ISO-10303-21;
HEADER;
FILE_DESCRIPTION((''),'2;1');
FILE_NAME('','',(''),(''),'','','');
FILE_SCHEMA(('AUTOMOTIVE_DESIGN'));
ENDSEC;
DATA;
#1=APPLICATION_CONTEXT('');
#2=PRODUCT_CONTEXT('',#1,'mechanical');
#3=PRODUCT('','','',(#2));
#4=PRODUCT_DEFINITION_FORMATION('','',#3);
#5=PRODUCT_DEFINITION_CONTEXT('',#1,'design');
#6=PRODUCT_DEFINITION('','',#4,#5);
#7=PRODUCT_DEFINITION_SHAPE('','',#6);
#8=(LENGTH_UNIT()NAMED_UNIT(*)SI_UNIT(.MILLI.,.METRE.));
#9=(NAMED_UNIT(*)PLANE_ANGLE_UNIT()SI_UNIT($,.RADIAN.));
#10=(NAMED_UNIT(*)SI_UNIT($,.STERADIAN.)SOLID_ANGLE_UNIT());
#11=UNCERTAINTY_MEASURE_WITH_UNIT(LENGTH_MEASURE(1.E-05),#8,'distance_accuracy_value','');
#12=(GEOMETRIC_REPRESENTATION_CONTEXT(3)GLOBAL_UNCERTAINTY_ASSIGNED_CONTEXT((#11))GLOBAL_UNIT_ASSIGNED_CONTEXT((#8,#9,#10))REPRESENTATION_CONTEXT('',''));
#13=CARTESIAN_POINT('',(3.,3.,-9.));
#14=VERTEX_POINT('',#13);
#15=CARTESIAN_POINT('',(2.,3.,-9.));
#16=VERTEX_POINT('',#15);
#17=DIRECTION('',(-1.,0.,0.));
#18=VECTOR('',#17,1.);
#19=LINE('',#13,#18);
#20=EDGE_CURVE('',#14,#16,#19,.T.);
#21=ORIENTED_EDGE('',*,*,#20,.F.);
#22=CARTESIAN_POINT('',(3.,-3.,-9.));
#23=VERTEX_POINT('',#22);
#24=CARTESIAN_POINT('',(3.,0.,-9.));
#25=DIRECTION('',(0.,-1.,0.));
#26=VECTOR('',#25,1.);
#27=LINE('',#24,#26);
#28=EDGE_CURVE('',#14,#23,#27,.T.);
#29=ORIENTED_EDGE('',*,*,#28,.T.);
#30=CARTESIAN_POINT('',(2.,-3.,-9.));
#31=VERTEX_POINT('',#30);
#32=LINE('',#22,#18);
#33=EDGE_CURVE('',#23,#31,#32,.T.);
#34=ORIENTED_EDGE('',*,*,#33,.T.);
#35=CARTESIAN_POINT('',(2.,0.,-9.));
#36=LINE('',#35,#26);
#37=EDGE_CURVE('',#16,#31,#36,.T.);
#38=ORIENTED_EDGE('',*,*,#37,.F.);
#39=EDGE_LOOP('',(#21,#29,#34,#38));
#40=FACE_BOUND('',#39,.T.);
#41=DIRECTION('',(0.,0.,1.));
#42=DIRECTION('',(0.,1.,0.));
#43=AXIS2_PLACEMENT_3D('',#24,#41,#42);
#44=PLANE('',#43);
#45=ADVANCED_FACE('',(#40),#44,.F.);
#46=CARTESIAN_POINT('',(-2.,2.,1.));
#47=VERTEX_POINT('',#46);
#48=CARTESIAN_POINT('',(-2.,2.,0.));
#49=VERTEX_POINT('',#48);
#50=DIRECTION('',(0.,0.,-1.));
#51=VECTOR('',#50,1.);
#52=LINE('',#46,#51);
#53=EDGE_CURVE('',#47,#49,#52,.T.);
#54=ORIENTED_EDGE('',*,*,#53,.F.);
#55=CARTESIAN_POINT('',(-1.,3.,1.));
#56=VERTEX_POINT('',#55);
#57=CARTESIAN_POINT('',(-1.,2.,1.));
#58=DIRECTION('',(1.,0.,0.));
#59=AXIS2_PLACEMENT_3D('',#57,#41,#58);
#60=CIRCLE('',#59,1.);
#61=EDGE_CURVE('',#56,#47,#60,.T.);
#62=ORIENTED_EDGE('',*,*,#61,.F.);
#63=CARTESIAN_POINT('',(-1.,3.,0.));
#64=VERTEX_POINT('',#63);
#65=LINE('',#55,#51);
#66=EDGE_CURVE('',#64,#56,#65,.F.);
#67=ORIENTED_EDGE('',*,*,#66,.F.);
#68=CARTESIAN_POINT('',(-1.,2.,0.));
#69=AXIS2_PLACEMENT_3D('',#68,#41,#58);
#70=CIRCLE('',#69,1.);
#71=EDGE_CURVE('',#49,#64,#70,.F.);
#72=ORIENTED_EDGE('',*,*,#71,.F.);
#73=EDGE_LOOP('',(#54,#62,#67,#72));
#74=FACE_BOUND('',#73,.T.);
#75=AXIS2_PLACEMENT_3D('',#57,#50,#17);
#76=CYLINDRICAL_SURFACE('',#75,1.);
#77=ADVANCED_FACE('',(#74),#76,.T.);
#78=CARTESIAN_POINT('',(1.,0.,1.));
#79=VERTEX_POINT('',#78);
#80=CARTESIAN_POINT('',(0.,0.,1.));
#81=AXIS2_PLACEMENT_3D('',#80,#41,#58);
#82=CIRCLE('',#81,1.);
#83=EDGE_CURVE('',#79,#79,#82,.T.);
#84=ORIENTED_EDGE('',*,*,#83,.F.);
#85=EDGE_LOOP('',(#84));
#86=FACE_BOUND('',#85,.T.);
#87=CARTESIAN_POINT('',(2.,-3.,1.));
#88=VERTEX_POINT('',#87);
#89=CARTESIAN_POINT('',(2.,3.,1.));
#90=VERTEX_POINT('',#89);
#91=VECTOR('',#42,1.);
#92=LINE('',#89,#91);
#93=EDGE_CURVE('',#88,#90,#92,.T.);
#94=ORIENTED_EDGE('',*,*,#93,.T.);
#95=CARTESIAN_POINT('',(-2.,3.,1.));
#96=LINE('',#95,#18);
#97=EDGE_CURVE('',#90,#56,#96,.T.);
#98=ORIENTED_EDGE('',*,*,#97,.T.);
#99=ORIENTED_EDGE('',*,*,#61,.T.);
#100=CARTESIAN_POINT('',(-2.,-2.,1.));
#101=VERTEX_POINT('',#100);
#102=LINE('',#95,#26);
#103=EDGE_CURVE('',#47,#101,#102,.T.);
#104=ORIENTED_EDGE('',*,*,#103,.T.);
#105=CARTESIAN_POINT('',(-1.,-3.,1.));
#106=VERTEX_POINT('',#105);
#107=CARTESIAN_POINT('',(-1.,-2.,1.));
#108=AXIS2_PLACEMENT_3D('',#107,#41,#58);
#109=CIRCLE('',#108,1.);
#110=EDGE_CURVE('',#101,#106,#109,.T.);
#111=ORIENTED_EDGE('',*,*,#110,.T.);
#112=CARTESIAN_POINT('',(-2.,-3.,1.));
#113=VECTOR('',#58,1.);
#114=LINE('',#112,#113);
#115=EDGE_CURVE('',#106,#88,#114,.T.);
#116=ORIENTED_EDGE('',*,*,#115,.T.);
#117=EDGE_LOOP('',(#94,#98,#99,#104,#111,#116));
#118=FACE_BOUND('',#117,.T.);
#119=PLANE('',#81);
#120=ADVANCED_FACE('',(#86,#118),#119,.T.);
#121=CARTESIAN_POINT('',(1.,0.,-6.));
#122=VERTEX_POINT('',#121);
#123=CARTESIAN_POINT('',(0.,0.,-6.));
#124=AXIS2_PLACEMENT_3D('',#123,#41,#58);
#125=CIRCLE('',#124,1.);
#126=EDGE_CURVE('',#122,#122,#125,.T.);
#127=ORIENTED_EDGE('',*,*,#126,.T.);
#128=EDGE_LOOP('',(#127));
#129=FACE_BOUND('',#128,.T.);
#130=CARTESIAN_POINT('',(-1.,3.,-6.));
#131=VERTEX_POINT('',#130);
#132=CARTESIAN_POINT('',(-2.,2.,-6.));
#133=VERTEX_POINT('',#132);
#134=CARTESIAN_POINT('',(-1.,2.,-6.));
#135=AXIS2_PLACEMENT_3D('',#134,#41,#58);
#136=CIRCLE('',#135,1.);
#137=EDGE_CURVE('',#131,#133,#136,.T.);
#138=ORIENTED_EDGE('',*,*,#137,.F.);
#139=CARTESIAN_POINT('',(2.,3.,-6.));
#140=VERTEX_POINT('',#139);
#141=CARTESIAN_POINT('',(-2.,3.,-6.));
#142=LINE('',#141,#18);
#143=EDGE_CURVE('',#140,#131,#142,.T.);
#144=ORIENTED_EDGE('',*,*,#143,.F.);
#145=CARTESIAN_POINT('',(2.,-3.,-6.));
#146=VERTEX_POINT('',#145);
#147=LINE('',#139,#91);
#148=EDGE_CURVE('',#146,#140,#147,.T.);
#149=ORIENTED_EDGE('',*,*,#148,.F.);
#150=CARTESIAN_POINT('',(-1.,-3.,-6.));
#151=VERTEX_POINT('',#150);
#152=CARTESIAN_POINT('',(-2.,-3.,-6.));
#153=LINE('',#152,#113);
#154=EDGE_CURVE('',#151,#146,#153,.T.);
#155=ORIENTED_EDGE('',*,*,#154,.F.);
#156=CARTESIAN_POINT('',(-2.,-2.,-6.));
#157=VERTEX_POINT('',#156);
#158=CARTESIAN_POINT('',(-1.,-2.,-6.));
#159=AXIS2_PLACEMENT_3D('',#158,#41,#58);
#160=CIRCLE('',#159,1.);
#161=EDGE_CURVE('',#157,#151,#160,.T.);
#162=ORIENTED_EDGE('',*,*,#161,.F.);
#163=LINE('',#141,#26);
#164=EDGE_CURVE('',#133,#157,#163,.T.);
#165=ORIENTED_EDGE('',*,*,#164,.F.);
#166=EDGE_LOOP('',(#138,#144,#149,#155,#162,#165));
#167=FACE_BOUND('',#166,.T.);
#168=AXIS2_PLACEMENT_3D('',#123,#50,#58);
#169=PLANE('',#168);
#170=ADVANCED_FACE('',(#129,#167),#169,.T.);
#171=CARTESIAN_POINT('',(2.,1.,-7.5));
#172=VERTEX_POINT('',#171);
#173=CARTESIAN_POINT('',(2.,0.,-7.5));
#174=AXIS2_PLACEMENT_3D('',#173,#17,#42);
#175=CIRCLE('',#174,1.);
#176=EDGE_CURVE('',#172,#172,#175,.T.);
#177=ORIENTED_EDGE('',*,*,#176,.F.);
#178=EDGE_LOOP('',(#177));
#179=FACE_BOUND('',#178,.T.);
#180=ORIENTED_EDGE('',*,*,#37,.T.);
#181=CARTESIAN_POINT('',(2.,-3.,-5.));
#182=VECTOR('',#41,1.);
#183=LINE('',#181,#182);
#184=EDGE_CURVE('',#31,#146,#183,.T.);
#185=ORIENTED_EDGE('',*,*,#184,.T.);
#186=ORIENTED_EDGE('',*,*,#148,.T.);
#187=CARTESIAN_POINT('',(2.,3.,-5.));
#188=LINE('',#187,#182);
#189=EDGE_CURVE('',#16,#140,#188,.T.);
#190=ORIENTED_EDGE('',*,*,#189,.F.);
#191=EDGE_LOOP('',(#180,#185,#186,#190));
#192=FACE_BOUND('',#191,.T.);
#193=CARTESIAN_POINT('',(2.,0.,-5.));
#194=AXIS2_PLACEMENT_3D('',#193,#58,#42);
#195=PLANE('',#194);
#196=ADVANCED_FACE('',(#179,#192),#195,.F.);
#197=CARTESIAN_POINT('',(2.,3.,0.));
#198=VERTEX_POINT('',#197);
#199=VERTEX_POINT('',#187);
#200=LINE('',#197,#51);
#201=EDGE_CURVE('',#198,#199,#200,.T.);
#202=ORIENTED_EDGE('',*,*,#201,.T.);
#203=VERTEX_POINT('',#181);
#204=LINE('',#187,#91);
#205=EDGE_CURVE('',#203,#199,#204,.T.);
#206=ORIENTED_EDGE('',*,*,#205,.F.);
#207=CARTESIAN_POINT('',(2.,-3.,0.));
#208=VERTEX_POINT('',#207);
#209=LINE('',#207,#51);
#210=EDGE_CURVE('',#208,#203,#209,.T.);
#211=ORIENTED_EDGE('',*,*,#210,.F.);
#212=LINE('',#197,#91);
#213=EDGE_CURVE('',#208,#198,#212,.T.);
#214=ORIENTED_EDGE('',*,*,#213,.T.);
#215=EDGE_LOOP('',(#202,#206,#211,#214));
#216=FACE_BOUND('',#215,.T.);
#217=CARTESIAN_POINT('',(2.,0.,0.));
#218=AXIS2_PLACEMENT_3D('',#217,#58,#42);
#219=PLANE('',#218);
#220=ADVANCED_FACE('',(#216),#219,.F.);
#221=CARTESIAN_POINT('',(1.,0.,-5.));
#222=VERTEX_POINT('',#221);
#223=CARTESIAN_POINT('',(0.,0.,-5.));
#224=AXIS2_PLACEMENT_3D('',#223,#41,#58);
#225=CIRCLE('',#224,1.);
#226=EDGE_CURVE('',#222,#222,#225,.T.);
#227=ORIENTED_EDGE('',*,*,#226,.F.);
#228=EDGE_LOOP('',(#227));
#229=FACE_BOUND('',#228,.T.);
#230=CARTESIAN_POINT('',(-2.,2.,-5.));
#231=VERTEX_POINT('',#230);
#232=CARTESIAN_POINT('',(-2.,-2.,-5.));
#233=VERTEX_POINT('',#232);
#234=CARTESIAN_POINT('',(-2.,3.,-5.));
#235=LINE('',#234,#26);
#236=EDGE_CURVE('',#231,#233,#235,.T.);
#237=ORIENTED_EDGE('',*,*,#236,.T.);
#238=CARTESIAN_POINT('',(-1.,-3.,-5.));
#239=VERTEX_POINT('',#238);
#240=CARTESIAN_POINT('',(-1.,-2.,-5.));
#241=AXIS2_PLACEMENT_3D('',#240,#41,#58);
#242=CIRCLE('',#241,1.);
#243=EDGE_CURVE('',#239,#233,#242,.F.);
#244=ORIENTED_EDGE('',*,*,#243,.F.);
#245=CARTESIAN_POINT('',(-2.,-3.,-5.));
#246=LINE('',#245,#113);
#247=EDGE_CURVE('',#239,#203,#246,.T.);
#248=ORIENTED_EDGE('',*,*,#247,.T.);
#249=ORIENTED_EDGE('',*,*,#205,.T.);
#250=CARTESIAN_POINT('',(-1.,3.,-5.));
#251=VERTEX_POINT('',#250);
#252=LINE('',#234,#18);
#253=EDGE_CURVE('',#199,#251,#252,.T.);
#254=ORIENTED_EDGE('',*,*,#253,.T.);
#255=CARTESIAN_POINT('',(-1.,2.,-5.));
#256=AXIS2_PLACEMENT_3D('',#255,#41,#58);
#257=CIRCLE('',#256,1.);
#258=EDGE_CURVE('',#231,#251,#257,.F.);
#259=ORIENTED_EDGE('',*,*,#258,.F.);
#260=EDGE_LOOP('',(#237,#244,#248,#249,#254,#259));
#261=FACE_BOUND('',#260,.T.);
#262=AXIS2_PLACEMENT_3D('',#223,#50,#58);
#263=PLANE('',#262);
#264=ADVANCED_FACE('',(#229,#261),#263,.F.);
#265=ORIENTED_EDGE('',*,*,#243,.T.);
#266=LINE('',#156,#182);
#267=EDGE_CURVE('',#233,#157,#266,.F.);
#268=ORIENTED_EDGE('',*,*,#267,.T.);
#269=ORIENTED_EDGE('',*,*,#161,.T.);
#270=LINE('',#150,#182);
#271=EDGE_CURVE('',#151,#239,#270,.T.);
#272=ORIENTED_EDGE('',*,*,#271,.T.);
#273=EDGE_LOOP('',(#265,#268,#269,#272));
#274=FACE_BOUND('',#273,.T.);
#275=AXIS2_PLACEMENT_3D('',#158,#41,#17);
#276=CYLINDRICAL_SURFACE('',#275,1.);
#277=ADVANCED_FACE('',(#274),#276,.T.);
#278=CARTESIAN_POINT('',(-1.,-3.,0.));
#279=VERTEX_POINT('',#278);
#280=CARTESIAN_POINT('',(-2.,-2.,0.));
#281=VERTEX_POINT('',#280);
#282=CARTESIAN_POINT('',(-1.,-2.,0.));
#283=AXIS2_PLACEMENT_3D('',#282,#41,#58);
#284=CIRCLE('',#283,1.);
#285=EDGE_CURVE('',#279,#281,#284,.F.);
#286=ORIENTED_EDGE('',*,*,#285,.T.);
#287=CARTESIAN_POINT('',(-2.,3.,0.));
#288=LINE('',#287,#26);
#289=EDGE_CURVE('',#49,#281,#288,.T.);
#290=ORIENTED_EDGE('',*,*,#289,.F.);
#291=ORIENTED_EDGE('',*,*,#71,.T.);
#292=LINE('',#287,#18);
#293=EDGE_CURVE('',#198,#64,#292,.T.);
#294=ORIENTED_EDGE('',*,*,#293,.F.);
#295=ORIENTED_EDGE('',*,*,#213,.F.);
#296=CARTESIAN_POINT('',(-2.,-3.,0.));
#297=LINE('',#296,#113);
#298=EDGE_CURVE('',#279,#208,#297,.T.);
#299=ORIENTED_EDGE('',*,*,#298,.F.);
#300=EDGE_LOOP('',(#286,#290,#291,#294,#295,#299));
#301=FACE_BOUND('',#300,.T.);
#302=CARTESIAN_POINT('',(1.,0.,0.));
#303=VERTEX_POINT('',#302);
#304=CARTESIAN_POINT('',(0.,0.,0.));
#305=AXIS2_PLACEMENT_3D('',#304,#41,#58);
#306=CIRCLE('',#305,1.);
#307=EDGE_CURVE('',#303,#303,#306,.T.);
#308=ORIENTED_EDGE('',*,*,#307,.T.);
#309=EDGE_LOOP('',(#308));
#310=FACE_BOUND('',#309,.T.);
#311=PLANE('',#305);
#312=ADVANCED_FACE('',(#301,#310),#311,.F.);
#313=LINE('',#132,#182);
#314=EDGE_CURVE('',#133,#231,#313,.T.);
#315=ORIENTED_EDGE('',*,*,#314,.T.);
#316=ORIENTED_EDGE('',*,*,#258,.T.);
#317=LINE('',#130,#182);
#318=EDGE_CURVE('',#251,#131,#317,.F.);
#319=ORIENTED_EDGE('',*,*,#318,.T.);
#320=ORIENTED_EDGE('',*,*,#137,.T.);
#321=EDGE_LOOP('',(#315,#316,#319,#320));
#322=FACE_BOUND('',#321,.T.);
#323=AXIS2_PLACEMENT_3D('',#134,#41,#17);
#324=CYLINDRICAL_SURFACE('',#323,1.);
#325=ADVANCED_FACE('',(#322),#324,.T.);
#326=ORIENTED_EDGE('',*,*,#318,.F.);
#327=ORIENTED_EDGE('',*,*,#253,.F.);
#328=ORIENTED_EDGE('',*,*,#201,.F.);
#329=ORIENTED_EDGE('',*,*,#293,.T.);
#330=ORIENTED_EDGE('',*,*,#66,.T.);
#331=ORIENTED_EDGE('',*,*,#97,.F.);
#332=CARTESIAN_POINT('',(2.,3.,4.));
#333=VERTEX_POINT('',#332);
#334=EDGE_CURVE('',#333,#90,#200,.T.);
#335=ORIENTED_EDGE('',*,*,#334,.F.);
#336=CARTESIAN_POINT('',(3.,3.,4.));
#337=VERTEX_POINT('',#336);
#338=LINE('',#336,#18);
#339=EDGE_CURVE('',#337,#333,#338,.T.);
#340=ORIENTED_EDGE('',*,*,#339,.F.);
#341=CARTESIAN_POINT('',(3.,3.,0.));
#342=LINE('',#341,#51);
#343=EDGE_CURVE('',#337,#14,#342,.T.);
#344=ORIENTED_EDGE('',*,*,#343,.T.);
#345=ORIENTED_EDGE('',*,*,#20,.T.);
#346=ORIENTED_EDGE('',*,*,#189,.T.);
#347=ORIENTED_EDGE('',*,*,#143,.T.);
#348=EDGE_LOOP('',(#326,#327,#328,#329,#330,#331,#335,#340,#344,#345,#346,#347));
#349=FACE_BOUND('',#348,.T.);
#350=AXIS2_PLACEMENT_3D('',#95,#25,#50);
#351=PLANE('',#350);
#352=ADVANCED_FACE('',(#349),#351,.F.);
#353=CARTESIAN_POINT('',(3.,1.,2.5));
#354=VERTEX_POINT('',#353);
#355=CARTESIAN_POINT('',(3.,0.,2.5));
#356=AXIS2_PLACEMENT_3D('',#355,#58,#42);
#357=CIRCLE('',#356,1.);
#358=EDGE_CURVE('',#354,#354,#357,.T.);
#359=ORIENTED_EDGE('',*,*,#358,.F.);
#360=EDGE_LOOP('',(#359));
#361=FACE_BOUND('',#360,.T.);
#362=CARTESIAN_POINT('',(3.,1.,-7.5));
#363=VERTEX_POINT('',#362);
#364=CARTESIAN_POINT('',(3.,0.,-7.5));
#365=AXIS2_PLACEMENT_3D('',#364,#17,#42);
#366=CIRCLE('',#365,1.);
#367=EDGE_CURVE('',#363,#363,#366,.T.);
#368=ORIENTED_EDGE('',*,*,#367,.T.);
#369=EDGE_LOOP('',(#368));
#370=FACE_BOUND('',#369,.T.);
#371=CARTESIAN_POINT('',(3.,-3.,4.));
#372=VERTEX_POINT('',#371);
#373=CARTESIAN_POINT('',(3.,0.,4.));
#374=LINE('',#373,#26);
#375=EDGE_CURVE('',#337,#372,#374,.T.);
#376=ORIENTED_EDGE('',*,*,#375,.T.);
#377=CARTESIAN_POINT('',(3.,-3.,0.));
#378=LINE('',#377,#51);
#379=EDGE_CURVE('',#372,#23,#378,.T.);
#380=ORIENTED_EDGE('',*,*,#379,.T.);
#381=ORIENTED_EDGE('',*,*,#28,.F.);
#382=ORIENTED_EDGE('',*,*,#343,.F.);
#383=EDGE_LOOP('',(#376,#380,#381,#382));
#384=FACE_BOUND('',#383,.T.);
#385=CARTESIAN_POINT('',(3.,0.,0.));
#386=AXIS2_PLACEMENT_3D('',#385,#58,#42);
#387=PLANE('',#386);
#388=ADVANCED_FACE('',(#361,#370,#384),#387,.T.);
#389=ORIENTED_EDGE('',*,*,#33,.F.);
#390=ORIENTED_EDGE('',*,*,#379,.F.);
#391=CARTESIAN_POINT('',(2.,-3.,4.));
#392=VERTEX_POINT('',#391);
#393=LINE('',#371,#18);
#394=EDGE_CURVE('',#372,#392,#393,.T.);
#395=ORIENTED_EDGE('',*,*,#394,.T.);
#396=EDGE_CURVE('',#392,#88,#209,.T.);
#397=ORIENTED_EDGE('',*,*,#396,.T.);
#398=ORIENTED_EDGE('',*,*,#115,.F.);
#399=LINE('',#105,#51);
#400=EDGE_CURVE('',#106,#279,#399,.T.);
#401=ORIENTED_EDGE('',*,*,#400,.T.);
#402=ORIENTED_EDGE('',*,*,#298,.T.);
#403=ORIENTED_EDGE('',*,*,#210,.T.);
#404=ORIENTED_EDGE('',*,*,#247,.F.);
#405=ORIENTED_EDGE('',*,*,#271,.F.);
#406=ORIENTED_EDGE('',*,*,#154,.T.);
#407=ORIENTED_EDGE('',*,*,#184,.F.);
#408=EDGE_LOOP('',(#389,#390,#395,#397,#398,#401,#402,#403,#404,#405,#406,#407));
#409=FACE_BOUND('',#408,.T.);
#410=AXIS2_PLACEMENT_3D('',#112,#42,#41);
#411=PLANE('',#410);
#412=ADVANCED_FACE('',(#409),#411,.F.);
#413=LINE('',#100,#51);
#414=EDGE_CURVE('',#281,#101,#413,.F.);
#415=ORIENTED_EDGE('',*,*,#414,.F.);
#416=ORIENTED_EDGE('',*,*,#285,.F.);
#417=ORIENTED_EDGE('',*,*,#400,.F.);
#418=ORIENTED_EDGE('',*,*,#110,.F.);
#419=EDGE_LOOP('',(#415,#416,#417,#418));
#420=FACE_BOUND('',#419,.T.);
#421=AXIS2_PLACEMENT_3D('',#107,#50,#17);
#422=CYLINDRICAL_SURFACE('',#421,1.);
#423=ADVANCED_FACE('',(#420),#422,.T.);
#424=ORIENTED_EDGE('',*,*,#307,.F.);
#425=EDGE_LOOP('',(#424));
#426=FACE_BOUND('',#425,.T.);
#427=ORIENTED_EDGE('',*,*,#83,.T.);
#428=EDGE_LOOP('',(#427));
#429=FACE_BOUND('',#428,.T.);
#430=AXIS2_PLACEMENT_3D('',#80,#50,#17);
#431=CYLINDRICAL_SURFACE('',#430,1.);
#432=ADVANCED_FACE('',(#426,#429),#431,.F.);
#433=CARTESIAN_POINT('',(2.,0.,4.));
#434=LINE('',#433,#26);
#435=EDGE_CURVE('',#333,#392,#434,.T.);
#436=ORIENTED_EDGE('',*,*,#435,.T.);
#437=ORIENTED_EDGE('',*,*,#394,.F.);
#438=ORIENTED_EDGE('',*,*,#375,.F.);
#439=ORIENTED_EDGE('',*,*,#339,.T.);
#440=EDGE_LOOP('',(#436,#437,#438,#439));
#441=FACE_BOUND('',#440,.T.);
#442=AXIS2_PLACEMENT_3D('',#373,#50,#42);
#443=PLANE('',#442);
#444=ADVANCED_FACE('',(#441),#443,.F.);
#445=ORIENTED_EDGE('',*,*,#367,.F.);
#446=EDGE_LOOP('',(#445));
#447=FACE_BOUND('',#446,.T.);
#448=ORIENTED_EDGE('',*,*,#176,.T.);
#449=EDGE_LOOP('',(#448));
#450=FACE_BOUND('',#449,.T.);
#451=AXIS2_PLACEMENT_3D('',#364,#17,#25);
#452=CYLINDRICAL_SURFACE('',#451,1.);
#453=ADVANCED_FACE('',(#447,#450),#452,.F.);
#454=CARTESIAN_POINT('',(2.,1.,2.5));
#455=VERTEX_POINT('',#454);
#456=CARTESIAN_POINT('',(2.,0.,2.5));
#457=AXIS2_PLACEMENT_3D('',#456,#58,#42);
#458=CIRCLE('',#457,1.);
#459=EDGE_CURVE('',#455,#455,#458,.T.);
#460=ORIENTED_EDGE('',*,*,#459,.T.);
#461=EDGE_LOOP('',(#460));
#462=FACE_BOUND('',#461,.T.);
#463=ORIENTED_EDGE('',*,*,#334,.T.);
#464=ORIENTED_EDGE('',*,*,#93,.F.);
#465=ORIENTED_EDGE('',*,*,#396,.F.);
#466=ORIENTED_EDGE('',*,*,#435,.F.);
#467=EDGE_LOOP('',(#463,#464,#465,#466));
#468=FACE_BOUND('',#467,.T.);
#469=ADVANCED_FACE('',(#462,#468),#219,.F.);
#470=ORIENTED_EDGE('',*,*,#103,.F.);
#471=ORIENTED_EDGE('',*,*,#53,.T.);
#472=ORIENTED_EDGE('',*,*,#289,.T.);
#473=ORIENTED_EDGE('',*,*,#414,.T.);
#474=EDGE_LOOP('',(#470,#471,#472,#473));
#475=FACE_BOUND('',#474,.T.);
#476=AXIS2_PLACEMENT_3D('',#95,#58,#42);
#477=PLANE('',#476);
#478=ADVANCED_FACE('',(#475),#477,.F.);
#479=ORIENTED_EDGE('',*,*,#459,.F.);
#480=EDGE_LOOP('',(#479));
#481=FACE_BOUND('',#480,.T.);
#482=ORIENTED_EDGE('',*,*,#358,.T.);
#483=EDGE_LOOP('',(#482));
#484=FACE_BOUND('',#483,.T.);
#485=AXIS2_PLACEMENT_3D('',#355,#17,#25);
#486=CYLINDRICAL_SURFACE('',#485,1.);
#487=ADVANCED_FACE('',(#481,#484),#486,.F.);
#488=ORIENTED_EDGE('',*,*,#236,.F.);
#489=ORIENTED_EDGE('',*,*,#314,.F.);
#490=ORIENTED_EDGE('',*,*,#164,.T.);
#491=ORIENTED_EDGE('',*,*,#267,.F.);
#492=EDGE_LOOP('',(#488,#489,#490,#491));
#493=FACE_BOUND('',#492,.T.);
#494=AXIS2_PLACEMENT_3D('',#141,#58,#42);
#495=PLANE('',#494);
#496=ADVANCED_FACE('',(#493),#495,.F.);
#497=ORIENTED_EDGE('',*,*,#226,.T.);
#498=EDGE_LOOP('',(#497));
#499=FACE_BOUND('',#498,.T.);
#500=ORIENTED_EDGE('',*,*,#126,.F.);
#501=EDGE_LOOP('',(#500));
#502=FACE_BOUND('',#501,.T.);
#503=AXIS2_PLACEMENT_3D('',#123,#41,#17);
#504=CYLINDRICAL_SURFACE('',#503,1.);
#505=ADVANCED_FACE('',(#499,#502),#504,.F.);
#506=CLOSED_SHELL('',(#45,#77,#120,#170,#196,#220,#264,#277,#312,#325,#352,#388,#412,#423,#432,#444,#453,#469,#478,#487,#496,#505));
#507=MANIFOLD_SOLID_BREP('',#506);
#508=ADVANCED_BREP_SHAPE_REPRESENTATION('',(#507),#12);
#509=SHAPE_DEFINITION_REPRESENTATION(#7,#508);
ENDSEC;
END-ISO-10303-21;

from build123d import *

# Parameters (mm, degrees)
SKETCH_1_W      = 4
SKETCH_1_H      = 6
SKETCH_1_R      = 1
EXTRUDE_1_DEPTH = 1
SKETCH_2_W      = 3
SKETCH_2_H      = 6
SKETCH_2_R      = 1
SKETCH_2_W_2    = 3.5
EXTRUDE_2_DEPTH = 1
FILLET_1_R      = 1


with BuildPart() as part:
    # 草图1 → 凸台-拉伸1 (new body)
    with BuildSketch(Plane.XY):
        Rectangle(SKETCH_1_W, SKETCH_1_H)
        Circle(SKETCH_1_R, mode=Mode.SUBTRACT)
    extrude(amount=EXTRUDE_1_DEPTH)

    # 草图2 → 凸台-拉伸2 (add)
    # profile 1 of 2: a face of its own
    with BuildSketch(Plane(origin=(2, 0, 0), x_dir=(0, 0, -1), z_dir=(1, 0, 0))):
        with Locations((-2.5, 0)):
            Rectangle(SKETCH_2_W, SKETCH_2_H)
        with Locations(Location((-2.5, 0, 0), (0, 0, 90))):
            Circle(SKETCH_2_R, mode=Mode.SUBTRACT)
    # profile 2 of 2: a face of its own
    with BuildSketch(Plane(origin=(2, 0, 0), x_dir=(0, 0, -1), z_dir=(1, 0, 0))):
        with Locations((0.75, 0)):
            Rectangle(SKETCH_2_W_2, SKETCH_2_H)
    extrude(amount=EXTRUDE_2_DEPTH)

    # 圆角1
    fillet_1_edges = [part.edges().sort_by_distance(p)[0] for p in [
        (-2, -3, 0.5),
        (-2, 3, 0.5),
    ]]
    fillet(fillet_1_edges, radius=FILLET_1_R)

    # 镜向1: part across plane


with BuildPart() as part_1:
    add(part.part)
    add(part.part.mirror(Plane(origin=(3, 0, -2.5), x_dir=(1, 0, 0), z_dir=(0, 0, 1))))


solid = part_1.part
